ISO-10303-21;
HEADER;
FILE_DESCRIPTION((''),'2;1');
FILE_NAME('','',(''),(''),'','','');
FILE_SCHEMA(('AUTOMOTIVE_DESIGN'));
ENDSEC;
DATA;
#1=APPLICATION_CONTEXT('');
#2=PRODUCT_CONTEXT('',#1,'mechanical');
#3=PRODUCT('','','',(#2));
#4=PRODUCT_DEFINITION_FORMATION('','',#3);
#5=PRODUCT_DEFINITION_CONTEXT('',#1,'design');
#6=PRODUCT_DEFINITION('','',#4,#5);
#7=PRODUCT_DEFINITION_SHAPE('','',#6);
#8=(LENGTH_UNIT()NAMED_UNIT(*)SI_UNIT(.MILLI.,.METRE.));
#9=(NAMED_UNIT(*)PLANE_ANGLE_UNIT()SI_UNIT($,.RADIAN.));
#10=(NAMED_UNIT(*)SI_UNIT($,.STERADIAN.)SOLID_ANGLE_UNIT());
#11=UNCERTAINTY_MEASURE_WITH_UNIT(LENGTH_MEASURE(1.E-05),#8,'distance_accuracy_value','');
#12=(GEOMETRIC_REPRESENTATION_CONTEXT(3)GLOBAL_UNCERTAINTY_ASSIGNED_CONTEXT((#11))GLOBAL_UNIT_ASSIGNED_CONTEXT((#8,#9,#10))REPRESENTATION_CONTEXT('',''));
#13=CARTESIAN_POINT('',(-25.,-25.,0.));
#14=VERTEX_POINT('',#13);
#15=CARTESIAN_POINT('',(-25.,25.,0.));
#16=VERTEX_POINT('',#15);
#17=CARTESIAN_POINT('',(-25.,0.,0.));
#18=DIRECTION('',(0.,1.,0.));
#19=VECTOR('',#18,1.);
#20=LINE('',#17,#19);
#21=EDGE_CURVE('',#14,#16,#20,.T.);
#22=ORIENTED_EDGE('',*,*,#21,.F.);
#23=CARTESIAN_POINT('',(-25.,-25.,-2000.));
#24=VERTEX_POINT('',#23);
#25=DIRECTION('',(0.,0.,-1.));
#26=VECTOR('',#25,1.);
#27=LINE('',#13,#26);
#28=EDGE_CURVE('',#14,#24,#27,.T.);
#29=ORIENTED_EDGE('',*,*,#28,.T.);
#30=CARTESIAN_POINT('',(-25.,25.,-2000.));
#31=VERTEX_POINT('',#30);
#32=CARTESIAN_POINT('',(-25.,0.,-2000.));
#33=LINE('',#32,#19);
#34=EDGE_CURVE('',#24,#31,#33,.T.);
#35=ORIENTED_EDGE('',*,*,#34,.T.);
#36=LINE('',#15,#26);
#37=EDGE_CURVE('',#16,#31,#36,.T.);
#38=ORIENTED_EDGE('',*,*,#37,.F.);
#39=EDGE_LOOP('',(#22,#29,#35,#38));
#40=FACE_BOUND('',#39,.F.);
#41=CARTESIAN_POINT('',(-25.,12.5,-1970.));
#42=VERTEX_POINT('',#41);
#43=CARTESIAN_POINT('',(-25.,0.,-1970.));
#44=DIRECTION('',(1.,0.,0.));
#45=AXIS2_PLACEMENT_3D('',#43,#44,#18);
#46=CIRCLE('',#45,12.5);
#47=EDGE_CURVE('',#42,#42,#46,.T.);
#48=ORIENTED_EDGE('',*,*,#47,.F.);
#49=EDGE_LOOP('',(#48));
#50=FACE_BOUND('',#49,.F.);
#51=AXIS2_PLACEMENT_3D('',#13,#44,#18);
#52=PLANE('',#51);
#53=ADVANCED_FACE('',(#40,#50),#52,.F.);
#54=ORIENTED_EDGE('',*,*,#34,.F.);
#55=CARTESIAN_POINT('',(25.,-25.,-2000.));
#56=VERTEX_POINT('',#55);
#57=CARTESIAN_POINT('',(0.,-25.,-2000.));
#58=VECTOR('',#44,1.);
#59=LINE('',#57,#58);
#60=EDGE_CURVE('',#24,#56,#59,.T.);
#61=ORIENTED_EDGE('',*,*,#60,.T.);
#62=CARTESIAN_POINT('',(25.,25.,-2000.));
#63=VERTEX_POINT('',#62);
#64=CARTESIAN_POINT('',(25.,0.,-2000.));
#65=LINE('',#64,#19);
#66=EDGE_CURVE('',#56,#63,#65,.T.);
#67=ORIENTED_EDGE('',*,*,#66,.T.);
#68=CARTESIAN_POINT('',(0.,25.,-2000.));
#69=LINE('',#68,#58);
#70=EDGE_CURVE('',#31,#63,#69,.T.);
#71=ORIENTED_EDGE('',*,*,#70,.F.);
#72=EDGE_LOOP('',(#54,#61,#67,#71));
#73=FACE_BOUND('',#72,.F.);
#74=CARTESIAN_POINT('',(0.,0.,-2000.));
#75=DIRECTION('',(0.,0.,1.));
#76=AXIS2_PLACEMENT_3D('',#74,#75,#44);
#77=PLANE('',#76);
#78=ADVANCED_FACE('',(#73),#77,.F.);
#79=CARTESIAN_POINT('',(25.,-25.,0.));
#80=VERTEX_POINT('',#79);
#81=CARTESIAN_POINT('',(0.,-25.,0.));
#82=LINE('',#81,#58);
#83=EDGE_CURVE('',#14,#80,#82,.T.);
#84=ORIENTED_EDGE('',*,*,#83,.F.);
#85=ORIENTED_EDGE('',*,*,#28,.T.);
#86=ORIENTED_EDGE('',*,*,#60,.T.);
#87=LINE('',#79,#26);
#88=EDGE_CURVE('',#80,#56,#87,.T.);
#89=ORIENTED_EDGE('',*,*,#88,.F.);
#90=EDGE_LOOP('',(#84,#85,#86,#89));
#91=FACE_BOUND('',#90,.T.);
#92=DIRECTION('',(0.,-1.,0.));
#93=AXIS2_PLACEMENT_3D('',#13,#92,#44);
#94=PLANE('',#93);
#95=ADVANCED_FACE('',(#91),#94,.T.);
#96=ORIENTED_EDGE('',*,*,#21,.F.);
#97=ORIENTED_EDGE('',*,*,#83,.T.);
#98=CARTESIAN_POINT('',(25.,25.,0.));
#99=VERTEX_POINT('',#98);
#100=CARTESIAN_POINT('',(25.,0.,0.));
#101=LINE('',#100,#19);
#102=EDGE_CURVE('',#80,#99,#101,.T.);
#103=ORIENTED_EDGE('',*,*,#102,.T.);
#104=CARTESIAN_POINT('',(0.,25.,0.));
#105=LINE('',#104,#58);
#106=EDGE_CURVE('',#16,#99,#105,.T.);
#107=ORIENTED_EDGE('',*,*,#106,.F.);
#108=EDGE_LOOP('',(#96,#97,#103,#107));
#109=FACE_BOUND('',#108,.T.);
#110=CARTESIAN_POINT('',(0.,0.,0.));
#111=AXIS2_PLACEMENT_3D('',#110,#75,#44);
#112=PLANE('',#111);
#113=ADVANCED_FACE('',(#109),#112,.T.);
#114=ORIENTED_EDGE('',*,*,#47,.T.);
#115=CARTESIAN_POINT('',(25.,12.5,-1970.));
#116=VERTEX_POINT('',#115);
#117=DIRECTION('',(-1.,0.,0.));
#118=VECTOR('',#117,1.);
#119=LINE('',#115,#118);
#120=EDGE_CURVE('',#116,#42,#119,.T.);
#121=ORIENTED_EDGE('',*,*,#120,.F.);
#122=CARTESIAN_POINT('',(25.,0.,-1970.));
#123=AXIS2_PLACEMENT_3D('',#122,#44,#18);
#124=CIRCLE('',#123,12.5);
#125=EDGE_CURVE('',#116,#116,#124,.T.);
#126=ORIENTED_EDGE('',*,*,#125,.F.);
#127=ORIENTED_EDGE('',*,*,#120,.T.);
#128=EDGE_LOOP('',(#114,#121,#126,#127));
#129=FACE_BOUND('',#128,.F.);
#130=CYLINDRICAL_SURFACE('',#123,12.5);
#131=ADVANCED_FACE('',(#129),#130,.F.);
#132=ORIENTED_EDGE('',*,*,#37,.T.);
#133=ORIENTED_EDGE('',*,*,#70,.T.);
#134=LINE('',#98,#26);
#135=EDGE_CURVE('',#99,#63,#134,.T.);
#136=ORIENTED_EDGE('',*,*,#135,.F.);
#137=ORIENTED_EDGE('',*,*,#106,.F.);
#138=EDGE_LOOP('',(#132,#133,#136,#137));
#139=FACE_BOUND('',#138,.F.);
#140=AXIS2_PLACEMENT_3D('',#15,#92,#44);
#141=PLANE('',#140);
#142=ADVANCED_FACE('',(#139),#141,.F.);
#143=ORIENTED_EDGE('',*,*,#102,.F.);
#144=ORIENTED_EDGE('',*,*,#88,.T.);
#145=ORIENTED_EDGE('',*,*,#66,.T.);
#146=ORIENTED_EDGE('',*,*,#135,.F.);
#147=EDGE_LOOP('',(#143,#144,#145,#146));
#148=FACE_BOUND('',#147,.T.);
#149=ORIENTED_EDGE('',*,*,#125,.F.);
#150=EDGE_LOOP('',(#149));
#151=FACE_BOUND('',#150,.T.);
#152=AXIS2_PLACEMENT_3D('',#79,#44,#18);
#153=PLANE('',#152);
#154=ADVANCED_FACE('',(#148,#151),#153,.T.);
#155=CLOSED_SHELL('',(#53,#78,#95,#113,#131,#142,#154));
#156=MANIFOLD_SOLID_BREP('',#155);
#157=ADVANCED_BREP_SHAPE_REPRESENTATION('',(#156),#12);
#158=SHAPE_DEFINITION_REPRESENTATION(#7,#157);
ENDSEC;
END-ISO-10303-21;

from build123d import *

# Parameters (mm, degrees)
F0_W     = 50
F0_H     = 50
F1_DEPTH = 2000
F2_R     = 12.5
F3_DEPTH = 50


with BuildPart() as f1:
    # F0 (on Top) → F1 (new body)
    with BuildSketch(Plane.XY):
        Rectangle(F0_W, F0_H)
    extrude(amount=-F1_DEPTH)

    # F2 (on face) → F3 (cut, through all)
    with BuildSketch(Plane.YZ.offset(25)):
        with Locations((0, -1970)):
            Circle(F2_R)
    extrude(amount=-F3_DEPTH, mode=Mode.SUBTRACT)


solid = f1.part
